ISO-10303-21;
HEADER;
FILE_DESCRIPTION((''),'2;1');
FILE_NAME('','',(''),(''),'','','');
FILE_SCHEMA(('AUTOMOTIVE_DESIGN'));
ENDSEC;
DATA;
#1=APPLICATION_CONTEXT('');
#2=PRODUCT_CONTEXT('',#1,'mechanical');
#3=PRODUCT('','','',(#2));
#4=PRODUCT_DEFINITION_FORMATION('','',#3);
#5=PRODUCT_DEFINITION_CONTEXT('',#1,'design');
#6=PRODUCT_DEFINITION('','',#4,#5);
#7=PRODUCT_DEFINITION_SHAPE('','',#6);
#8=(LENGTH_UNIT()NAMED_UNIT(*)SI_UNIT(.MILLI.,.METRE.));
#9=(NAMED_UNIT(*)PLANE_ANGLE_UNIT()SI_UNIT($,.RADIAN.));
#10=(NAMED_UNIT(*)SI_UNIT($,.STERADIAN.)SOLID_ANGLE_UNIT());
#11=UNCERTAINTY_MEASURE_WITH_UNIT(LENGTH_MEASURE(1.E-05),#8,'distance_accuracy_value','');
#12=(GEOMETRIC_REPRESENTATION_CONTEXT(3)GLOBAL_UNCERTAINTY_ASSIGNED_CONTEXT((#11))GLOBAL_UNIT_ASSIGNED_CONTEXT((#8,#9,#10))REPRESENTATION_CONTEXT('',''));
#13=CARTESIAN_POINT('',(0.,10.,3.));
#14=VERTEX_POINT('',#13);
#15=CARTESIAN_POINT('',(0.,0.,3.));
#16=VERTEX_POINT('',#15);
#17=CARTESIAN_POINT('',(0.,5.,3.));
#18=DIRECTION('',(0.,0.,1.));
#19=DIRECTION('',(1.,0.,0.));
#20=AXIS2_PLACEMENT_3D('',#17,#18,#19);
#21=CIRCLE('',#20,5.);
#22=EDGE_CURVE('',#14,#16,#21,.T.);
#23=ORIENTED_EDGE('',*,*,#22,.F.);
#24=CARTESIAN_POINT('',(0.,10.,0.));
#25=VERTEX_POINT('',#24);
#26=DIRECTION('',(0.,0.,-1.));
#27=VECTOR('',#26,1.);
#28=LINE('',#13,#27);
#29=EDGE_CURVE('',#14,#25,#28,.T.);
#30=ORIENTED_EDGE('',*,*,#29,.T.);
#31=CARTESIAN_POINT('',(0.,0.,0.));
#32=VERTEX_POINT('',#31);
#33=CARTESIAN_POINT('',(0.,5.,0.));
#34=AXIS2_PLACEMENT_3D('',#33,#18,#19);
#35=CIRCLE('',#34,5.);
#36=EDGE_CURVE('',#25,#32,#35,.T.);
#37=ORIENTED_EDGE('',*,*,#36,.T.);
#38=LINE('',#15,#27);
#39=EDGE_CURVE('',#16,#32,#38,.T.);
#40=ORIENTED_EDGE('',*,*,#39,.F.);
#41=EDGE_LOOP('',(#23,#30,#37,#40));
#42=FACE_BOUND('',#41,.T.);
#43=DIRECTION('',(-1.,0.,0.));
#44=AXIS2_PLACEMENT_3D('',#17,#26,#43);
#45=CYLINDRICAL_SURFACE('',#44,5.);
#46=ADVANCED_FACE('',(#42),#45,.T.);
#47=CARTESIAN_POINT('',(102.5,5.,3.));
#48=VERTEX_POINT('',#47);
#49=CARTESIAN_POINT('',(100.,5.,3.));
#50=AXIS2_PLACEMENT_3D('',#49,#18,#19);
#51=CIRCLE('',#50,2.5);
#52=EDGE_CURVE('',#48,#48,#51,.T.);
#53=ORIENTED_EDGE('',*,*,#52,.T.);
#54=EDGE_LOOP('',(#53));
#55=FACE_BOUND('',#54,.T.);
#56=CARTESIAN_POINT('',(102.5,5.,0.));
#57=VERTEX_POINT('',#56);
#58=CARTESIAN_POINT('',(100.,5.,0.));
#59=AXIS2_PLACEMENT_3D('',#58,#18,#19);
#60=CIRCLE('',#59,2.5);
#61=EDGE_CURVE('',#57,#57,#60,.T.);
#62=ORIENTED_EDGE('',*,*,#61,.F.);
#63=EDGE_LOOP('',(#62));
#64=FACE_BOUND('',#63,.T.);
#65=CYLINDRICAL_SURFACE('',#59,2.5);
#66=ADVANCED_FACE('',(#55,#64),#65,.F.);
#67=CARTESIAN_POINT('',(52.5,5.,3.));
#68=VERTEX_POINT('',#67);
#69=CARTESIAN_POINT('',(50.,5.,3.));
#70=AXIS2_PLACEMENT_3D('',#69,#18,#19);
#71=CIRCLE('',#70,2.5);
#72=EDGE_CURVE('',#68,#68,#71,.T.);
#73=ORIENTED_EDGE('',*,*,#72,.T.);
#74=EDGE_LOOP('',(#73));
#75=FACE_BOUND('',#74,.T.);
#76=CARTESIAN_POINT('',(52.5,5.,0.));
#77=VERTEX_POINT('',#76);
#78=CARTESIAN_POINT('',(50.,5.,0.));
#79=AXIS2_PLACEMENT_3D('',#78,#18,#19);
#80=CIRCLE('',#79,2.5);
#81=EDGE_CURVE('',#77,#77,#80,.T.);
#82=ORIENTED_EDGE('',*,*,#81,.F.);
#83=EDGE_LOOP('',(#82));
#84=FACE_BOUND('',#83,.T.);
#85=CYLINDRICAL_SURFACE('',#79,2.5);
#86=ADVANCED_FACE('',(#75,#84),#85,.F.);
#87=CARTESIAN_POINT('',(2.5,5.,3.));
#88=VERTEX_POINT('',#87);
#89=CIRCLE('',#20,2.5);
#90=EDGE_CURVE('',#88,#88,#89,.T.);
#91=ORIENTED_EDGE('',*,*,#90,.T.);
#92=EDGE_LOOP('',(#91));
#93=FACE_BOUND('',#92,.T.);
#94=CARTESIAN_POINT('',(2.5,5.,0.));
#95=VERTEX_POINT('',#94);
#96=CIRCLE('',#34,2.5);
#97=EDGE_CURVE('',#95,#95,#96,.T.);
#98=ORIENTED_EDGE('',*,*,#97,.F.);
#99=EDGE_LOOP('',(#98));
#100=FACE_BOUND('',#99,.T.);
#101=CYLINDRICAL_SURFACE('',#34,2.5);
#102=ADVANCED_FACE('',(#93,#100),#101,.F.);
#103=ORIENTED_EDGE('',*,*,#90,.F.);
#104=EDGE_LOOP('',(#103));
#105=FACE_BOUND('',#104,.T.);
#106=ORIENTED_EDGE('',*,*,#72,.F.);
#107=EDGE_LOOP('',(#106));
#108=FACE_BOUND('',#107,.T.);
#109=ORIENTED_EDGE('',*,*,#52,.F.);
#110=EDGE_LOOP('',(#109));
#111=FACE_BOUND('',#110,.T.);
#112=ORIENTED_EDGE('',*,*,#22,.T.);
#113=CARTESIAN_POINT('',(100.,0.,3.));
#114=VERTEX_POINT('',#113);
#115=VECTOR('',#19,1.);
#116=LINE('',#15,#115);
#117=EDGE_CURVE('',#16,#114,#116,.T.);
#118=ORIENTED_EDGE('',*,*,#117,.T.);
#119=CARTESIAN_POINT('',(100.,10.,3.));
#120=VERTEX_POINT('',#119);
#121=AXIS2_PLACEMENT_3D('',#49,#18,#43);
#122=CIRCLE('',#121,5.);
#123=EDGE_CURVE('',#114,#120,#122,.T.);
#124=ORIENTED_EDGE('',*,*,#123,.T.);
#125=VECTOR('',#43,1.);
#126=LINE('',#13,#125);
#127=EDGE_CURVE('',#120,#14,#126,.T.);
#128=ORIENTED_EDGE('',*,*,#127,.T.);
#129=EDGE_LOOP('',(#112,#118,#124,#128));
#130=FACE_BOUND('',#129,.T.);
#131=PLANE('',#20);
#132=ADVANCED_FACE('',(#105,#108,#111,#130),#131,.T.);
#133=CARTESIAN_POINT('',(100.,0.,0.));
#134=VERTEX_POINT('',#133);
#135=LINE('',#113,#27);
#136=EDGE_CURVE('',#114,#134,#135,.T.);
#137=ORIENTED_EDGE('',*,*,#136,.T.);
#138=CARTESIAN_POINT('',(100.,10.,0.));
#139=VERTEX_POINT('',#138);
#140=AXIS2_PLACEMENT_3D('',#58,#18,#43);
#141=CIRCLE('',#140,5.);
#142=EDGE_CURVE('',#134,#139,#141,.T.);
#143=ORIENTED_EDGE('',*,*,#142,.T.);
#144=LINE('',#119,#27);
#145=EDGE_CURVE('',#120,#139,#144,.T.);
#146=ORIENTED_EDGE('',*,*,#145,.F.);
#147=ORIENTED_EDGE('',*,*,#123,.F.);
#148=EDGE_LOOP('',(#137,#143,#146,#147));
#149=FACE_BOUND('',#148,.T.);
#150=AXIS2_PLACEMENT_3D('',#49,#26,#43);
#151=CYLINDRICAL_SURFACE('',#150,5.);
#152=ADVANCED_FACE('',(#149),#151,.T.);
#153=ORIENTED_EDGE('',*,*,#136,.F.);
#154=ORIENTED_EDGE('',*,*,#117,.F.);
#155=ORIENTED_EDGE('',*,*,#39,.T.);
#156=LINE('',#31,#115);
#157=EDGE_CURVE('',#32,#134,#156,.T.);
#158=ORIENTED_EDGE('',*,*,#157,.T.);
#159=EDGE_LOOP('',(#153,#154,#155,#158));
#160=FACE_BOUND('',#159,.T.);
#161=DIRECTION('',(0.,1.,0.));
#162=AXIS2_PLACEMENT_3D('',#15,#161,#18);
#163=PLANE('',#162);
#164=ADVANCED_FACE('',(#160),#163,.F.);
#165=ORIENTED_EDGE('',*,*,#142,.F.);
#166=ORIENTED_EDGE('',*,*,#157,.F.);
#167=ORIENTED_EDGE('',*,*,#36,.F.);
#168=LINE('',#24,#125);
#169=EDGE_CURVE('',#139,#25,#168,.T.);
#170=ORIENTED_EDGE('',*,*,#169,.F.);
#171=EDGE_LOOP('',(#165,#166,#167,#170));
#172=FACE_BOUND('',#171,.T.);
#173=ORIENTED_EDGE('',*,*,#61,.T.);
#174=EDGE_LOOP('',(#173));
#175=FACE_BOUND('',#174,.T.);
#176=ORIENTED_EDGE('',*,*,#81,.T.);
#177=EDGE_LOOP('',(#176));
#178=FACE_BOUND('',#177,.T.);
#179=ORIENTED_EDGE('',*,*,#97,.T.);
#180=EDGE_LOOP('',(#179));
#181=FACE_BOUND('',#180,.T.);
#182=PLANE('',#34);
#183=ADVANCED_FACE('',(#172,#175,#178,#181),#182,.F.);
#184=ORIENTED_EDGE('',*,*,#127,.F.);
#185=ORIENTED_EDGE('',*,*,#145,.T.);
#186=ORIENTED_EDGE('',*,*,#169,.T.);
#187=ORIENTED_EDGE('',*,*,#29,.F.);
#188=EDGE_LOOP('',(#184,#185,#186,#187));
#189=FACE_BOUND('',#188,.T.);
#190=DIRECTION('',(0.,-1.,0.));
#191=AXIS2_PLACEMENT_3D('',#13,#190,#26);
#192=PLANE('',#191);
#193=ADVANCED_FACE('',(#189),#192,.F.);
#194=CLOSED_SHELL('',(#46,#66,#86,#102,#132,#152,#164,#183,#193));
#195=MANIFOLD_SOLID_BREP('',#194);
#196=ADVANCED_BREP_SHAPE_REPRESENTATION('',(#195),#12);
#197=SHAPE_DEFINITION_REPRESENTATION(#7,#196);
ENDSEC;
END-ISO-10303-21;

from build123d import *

# Parameters (mm, degrees)
BOSS_EXTRUDE1_DEPTH = 3
SKETCH2_R           = 2.5
CUT_EXTRUDE1_DEPTH  = 106.517771015
SKETCH3_R           = 2.5
CUT_EXTRUDE2_DEPTH  = 3


with BuildPart() as part:
    # Sketch1 → Boss-Extrude1 (new body)
    with BuildSketch(Plane.XY):
        with BuildLine():
            Line((0, 0), (100, 0))
            ThreePointArc((100, 0), (105, 5), (100, 10))
            Line((100, 10), (0, 10))
            ThreePointArc((0, 10), (-5, 5), (0, 0))
        make_face()
    extrude(amount=BOSS_EXTRUDE1_DEPTH)

    # Sketch2 → Cut-Extrude1 (cut, through all)
    with BuildSketch(Plane.XY.offset(3)):
        with Locations((0, 5)):
            Circle(SKETCH2_R)
        with Locations((100, 5)):
            Circle(SKETCH2_R)
    extrude(amount=-CUT_EXTRUDE1_DEPTH, mode=Mode.SUBTRACT)

    # Sketch3 → Cut-Extrude2 (cut)
    with BuildSketch(Plane.XY.offset(3)):
        with Locations((50, 5)):
            Circle(SKETCH3_R)
    extrude(amount=-CUT_EXTRUDE2_DEPTH, mode=Mode.SUBTRACT)


solid = part.part
